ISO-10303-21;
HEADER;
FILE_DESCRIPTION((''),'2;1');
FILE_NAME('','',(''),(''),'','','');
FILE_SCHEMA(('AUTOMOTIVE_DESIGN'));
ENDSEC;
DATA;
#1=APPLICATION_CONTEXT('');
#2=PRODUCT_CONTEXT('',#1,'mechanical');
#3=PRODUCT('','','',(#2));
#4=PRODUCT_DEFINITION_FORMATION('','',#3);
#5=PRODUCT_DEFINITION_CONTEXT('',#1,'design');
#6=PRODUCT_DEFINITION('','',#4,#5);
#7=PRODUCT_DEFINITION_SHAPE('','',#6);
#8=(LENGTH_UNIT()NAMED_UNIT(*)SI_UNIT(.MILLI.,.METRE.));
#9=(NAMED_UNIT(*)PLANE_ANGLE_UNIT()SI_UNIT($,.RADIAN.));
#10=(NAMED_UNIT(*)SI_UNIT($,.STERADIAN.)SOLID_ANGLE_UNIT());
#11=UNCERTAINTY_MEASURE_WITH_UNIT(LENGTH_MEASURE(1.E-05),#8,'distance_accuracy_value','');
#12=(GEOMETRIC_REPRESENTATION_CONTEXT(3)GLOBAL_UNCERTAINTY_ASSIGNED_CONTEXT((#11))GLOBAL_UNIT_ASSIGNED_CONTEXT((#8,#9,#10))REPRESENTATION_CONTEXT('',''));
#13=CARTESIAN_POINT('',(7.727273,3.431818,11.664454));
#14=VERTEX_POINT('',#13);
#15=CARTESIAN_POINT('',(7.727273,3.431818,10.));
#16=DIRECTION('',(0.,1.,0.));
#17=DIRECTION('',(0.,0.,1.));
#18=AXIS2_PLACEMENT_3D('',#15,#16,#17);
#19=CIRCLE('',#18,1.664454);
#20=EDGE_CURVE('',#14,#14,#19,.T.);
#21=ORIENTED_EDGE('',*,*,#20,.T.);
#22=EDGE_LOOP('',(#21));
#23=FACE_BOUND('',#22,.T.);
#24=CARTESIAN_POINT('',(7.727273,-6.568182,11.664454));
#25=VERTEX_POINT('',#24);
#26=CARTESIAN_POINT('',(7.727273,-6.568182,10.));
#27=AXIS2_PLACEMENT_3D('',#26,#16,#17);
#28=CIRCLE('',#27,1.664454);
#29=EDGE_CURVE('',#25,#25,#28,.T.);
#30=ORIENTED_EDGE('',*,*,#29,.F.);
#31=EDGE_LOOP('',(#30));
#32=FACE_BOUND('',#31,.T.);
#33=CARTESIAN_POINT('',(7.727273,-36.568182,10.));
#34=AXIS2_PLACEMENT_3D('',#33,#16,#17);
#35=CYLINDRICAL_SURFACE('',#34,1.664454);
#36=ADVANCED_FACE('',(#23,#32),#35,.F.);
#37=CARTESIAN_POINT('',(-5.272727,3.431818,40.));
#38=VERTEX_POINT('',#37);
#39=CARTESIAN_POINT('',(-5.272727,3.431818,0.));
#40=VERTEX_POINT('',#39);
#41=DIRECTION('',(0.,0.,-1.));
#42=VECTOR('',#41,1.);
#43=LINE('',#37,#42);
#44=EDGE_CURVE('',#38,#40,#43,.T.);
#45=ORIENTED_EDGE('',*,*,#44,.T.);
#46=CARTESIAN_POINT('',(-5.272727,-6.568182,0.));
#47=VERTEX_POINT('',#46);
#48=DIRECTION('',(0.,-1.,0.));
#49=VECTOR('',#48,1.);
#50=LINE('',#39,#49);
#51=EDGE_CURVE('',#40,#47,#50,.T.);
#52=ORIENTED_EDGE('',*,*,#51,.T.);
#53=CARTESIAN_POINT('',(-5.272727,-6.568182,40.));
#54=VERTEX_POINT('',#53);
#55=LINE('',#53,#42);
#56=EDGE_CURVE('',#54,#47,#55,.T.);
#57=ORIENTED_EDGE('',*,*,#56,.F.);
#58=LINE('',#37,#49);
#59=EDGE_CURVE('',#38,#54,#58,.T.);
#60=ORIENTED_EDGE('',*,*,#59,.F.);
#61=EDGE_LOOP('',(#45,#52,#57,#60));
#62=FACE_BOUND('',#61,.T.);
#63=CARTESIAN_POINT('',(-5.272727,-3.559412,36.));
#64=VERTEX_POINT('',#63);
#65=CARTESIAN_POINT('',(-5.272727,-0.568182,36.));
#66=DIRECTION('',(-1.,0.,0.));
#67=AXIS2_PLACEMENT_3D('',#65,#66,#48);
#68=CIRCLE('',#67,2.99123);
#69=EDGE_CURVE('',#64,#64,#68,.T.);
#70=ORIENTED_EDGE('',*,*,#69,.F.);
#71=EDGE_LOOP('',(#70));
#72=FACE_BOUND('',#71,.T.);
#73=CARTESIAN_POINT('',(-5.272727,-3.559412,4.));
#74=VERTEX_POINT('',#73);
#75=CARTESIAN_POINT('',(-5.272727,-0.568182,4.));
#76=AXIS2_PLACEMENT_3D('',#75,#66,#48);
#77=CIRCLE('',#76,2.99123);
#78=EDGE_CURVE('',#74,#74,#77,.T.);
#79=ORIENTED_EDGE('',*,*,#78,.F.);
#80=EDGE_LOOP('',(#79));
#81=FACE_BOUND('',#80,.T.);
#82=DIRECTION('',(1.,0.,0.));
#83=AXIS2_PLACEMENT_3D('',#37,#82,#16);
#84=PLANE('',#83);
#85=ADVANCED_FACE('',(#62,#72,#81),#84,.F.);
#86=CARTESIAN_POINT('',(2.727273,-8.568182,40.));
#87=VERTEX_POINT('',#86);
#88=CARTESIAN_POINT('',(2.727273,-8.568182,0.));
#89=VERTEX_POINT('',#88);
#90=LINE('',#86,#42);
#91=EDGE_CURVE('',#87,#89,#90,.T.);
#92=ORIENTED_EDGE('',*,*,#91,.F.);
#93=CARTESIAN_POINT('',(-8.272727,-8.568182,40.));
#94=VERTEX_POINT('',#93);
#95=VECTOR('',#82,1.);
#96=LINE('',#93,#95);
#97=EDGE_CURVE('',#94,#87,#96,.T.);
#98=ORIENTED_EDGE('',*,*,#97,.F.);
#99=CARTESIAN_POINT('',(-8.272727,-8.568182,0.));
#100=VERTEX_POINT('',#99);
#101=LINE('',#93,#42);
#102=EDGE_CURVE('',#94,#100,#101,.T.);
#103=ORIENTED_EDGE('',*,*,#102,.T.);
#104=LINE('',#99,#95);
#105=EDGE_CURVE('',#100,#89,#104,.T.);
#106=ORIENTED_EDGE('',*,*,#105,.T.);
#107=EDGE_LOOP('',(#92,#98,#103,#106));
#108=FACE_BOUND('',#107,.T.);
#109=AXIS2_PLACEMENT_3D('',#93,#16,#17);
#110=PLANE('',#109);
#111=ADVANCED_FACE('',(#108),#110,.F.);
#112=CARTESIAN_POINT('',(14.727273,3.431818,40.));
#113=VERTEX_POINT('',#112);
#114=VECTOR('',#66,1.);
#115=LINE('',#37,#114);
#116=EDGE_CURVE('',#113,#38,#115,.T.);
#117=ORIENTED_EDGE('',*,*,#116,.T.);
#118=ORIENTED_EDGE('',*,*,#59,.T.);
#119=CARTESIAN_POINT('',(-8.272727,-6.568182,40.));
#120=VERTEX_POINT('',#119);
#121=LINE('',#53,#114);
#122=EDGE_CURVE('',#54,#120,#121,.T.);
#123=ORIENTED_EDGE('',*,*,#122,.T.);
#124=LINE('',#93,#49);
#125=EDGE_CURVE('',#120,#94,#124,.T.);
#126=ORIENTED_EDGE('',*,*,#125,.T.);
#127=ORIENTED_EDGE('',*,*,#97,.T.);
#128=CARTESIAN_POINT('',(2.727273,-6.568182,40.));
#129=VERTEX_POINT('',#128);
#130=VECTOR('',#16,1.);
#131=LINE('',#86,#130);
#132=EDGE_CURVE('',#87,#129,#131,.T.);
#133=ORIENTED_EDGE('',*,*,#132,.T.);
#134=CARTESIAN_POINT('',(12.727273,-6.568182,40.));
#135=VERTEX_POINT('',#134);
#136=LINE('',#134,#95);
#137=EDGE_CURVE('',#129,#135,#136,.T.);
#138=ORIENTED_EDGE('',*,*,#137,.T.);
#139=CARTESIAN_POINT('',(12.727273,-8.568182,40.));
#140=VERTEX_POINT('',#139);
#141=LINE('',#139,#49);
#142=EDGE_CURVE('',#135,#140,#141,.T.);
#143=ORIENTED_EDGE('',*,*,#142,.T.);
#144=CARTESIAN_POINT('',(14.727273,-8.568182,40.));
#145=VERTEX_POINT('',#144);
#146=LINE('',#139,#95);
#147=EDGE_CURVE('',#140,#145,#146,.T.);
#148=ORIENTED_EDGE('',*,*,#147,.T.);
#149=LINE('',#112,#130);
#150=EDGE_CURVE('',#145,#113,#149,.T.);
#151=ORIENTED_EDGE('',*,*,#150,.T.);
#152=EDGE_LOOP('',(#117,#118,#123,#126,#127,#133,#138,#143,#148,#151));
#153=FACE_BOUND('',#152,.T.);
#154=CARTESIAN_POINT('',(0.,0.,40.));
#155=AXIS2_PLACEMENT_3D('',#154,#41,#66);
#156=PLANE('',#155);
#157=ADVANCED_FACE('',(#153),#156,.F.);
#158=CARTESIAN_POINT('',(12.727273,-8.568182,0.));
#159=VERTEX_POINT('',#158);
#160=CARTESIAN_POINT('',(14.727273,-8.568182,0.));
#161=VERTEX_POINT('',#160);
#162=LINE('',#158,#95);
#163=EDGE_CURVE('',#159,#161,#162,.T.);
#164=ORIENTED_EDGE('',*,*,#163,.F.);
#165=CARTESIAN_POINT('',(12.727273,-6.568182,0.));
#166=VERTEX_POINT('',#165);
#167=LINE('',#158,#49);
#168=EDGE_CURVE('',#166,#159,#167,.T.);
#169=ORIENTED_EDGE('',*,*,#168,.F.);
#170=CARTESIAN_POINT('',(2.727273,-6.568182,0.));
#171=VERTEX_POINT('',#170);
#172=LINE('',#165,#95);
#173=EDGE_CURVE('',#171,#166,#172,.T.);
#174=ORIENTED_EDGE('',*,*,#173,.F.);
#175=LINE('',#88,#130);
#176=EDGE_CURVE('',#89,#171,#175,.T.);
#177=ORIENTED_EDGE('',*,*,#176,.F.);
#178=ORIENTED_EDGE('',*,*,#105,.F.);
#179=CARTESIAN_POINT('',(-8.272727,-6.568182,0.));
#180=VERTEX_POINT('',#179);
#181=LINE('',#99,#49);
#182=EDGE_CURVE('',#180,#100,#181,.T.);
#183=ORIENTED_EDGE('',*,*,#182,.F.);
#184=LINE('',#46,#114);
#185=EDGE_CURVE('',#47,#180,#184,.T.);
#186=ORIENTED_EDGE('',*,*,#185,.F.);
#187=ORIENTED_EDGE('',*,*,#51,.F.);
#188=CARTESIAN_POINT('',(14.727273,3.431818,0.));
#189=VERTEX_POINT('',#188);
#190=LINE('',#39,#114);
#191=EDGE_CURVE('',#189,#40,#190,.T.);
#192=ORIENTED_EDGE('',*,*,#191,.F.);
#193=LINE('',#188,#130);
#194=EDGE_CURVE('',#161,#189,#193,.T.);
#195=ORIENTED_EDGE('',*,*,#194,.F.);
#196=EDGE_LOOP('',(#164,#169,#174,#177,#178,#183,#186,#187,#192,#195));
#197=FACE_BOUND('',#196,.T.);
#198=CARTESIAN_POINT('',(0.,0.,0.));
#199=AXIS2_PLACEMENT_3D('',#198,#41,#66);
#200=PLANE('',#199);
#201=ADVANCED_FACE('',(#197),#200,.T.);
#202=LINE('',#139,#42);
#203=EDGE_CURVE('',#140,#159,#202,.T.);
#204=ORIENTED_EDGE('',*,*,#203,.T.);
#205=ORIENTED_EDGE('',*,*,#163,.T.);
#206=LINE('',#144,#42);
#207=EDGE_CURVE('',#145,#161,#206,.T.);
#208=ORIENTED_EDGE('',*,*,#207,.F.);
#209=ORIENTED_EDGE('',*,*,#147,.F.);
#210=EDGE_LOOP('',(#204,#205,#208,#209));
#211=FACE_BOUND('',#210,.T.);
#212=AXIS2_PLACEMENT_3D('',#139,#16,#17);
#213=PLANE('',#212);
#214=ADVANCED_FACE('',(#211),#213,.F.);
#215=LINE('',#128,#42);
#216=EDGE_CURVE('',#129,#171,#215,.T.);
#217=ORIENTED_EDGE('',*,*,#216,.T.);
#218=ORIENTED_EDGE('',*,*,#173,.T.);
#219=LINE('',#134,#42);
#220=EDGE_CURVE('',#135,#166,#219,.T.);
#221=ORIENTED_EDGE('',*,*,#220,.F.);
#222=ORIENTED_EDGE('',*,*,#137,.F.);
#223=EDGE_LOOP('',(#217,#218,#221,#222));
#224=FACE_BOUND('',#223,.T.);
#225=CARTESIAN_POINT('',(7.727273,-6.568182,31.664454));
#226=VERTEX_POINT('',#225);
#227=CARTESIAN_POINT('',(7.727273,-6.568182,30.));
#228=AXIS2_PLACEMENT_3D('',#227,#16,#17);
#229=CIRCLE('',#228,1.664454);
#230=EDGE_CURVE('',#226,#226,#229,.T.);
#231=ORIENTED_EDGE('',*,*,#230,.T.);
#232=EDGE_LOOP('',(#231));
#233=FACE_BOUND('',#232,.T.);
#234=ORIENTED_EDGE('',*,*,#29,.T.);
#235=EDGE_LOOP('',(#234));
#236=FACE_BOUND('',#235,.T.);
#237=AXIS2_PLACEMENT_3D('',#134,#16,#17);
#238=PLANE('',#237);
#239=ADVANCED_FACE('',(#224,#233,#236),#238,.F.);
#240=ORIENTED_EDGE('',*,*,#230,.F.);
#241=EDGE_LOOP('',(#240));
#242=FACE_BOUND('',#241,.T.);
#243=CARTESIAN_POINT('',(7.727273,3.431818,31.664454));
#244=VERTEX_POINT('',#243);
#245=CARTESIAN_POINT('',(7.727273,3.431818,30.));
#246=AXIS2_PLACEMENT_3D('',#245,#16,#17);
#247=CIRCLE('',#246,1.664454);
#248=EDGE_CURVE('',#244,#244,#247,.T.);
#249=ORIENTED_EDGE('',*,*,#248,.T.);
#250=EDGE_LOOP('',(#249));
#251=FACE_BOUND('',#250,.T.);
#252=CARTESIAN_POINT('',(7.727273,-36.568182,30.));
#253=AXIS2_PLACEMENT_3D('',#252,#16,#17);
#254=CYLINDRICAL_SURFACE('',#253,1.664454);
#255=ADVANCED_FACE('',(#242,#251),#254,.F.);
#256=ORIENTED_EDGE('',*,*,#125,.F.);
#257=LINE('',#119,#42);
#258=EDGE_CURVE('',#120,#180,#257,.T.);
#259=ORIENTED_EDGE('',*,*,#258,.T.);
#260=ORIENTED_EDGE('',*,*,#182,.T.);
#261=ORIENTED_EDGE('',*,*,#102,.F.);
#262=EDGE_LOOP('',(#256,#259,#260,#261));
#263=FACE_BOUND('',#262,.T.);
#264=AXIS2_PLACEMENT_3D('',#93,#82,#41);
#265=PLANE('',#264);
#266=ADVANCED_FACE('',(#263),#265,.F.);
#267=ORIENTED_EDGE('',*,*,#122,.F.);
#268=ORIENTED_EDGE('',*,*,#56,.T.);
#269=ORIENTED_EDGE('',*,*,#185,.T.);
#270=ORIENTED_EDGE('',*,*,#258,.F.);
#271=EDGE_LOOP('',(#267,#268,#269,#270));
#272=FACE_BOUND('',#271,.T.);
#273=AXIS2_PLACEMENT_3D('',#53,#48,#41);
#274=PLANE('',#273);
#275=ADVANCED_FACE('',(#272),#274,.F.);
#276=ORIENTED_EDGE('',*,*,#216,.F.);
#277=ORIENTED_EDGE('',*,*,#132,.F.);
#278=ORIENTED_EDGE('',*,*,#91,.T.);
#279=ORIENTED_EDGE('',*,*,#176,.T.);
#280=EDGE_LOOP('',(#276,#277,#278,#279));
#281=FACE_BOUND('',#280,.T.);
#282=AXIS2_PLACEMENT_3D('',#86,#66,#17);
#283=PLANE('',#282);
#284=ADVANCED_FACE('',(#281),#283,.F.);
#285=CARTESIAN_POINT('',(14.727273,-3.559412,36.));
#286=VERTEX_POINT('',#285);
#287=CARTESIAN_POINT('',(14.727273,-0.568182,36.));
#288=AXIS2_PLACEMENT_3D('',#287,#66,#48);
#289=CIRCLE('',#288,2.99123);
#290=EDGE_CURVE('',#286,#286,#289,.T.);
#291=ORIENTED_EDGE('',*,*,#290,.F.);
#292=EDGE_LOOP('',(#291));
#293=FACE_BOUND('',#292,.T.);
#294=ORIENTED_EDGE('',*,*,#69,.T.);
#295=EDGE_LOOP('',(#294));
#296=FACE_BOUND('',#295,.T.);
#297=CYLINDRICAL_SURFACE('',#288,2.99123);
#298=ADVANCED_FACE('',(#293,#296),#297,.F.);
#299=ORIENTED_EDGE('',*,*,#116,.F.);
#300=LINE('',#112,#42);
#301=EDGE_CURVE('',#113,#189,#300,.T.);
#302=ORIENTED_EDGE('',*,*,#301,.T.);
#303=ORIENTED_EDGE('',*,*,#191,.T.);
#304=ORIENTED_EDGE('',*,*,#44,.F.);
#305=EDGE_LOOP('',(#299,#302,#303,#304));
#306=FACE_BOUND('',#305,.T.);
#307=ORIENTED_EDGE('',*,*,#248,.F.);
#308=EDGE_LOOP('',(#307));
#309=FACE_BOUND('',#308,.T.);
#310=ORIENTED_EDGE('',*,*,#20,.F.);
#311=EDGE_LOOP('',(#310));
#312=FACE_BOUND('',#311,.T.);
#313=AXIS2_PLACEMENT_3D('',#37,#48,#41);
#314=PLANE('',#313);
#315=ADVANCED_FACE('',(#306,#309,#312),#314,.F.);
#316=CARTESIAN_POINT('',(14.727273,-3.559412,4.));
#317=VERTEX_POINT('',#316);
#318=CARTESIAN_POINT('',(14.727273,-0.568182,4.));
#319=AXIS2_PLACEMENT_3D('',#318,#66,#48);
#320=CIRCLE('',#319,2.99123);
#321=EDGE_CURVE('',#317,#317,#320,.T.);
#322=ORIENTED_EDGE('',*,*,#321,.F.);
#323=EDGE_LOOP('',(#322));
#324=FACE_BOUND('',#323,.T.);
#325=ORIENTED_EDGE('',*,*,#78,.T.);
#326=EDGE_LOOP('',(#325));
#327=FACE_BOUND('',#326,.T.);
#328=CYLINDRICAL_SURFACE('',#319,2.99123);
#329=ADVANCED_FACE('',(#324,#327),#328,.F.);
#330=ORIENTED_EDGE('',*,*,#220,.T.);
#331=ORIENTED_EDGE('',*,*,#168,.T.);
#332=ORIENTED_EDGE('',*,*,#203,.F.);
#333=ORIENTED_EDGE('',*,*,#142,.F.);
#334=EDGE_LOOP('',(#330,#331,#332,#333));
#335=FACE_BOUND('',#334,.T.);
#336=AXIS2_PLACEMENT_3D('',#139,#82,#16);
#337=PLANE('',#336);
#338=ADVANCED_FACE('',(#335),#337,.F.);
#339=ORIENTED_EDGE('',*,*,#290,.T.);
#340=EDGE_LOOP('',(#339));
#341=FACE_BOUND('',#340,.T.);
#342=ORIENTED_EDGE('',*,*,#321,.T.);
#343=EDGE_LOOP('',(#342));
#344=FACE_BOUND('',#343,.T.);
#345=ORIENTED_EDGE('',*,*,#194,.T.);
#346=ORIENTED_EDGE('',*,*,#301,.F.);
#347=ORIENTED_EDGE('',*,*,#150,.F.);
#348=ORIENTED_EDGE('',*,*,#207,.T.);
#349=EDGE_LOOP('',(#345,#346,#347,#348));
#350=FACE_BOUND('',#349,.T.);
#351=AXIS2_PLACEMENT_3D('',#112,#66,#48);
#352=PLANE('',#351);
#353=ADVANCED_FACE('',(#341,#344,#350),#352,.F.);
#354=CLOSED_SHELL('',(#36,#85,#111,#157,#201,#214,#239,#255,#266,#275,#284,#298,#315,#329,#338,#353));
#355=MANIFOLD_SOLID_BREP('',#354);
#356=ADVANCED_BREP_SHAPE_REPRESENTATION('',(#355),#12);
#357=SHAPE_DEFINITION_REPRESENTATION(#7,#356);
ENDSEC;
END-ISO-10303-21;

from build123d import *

# Parameters (mm, degrees)
BOSS_EXTRUDE1_DEPTH = 40
SKETCH2_R           = 2.991229743
CUT_EXTRUDE1_DEPTH  = 21
SKETCH3_R           = 1.664454023
CUT_EXTRUDE2_DEPTH  = 40


with BuildPart() as part:
    # Sketch1 → Boss-Extrude1 (new body)
    with BuildSketch(Plane.XY):
        Polygon((12.727272727, -8.568181818), (14.727272727, -8.568181818), (14.727272727, 3.431818182), (-5.272727273, 3.431818182), (-5.272727273, -6.568181818), (-8.272727273, -6.568181818), (-8.272727273, -8.568181818), (2.727272727, -8.568181818), (2.727272727, -6.568181818), (12.727272727, -6.568181818), align=None)
    extrude(amount=BOSS_EXTRUDE1_DEPTH)

    # Sketch2 → Cut-Extrude1 (cut, through all)
    with BuildSketch(Plane.ZY.offset(5.272727273)):
        with Locations((4, -0.568181818)):
            Circle(SKETCH2_R)
        with Locations((36, -0.568181818)):
            Circle(SKETCH2_R)
    extrude(amount=-CUT_EXTRUDE1_DEPTH, mode=Mode.SUBTRACT)

    # Sketch3 → Cut-Extrude2 (cut)
    with BuildSketch(Plane(origin=(0, 3.431818182, 0), x_dir=(1, 0, 0), z_dir=(0, 1, 0))):
        with Locations((7.727272727, -30)):
            Circle(SKETCH3_R)
        with Locations((7.727272727, -10)):
            Circle(SKETCH3_R)
    extrude(amount=-CUT_EXTRUDE2_DEPTH, mode=Mode.SUBTRACT)


solid = part.part
